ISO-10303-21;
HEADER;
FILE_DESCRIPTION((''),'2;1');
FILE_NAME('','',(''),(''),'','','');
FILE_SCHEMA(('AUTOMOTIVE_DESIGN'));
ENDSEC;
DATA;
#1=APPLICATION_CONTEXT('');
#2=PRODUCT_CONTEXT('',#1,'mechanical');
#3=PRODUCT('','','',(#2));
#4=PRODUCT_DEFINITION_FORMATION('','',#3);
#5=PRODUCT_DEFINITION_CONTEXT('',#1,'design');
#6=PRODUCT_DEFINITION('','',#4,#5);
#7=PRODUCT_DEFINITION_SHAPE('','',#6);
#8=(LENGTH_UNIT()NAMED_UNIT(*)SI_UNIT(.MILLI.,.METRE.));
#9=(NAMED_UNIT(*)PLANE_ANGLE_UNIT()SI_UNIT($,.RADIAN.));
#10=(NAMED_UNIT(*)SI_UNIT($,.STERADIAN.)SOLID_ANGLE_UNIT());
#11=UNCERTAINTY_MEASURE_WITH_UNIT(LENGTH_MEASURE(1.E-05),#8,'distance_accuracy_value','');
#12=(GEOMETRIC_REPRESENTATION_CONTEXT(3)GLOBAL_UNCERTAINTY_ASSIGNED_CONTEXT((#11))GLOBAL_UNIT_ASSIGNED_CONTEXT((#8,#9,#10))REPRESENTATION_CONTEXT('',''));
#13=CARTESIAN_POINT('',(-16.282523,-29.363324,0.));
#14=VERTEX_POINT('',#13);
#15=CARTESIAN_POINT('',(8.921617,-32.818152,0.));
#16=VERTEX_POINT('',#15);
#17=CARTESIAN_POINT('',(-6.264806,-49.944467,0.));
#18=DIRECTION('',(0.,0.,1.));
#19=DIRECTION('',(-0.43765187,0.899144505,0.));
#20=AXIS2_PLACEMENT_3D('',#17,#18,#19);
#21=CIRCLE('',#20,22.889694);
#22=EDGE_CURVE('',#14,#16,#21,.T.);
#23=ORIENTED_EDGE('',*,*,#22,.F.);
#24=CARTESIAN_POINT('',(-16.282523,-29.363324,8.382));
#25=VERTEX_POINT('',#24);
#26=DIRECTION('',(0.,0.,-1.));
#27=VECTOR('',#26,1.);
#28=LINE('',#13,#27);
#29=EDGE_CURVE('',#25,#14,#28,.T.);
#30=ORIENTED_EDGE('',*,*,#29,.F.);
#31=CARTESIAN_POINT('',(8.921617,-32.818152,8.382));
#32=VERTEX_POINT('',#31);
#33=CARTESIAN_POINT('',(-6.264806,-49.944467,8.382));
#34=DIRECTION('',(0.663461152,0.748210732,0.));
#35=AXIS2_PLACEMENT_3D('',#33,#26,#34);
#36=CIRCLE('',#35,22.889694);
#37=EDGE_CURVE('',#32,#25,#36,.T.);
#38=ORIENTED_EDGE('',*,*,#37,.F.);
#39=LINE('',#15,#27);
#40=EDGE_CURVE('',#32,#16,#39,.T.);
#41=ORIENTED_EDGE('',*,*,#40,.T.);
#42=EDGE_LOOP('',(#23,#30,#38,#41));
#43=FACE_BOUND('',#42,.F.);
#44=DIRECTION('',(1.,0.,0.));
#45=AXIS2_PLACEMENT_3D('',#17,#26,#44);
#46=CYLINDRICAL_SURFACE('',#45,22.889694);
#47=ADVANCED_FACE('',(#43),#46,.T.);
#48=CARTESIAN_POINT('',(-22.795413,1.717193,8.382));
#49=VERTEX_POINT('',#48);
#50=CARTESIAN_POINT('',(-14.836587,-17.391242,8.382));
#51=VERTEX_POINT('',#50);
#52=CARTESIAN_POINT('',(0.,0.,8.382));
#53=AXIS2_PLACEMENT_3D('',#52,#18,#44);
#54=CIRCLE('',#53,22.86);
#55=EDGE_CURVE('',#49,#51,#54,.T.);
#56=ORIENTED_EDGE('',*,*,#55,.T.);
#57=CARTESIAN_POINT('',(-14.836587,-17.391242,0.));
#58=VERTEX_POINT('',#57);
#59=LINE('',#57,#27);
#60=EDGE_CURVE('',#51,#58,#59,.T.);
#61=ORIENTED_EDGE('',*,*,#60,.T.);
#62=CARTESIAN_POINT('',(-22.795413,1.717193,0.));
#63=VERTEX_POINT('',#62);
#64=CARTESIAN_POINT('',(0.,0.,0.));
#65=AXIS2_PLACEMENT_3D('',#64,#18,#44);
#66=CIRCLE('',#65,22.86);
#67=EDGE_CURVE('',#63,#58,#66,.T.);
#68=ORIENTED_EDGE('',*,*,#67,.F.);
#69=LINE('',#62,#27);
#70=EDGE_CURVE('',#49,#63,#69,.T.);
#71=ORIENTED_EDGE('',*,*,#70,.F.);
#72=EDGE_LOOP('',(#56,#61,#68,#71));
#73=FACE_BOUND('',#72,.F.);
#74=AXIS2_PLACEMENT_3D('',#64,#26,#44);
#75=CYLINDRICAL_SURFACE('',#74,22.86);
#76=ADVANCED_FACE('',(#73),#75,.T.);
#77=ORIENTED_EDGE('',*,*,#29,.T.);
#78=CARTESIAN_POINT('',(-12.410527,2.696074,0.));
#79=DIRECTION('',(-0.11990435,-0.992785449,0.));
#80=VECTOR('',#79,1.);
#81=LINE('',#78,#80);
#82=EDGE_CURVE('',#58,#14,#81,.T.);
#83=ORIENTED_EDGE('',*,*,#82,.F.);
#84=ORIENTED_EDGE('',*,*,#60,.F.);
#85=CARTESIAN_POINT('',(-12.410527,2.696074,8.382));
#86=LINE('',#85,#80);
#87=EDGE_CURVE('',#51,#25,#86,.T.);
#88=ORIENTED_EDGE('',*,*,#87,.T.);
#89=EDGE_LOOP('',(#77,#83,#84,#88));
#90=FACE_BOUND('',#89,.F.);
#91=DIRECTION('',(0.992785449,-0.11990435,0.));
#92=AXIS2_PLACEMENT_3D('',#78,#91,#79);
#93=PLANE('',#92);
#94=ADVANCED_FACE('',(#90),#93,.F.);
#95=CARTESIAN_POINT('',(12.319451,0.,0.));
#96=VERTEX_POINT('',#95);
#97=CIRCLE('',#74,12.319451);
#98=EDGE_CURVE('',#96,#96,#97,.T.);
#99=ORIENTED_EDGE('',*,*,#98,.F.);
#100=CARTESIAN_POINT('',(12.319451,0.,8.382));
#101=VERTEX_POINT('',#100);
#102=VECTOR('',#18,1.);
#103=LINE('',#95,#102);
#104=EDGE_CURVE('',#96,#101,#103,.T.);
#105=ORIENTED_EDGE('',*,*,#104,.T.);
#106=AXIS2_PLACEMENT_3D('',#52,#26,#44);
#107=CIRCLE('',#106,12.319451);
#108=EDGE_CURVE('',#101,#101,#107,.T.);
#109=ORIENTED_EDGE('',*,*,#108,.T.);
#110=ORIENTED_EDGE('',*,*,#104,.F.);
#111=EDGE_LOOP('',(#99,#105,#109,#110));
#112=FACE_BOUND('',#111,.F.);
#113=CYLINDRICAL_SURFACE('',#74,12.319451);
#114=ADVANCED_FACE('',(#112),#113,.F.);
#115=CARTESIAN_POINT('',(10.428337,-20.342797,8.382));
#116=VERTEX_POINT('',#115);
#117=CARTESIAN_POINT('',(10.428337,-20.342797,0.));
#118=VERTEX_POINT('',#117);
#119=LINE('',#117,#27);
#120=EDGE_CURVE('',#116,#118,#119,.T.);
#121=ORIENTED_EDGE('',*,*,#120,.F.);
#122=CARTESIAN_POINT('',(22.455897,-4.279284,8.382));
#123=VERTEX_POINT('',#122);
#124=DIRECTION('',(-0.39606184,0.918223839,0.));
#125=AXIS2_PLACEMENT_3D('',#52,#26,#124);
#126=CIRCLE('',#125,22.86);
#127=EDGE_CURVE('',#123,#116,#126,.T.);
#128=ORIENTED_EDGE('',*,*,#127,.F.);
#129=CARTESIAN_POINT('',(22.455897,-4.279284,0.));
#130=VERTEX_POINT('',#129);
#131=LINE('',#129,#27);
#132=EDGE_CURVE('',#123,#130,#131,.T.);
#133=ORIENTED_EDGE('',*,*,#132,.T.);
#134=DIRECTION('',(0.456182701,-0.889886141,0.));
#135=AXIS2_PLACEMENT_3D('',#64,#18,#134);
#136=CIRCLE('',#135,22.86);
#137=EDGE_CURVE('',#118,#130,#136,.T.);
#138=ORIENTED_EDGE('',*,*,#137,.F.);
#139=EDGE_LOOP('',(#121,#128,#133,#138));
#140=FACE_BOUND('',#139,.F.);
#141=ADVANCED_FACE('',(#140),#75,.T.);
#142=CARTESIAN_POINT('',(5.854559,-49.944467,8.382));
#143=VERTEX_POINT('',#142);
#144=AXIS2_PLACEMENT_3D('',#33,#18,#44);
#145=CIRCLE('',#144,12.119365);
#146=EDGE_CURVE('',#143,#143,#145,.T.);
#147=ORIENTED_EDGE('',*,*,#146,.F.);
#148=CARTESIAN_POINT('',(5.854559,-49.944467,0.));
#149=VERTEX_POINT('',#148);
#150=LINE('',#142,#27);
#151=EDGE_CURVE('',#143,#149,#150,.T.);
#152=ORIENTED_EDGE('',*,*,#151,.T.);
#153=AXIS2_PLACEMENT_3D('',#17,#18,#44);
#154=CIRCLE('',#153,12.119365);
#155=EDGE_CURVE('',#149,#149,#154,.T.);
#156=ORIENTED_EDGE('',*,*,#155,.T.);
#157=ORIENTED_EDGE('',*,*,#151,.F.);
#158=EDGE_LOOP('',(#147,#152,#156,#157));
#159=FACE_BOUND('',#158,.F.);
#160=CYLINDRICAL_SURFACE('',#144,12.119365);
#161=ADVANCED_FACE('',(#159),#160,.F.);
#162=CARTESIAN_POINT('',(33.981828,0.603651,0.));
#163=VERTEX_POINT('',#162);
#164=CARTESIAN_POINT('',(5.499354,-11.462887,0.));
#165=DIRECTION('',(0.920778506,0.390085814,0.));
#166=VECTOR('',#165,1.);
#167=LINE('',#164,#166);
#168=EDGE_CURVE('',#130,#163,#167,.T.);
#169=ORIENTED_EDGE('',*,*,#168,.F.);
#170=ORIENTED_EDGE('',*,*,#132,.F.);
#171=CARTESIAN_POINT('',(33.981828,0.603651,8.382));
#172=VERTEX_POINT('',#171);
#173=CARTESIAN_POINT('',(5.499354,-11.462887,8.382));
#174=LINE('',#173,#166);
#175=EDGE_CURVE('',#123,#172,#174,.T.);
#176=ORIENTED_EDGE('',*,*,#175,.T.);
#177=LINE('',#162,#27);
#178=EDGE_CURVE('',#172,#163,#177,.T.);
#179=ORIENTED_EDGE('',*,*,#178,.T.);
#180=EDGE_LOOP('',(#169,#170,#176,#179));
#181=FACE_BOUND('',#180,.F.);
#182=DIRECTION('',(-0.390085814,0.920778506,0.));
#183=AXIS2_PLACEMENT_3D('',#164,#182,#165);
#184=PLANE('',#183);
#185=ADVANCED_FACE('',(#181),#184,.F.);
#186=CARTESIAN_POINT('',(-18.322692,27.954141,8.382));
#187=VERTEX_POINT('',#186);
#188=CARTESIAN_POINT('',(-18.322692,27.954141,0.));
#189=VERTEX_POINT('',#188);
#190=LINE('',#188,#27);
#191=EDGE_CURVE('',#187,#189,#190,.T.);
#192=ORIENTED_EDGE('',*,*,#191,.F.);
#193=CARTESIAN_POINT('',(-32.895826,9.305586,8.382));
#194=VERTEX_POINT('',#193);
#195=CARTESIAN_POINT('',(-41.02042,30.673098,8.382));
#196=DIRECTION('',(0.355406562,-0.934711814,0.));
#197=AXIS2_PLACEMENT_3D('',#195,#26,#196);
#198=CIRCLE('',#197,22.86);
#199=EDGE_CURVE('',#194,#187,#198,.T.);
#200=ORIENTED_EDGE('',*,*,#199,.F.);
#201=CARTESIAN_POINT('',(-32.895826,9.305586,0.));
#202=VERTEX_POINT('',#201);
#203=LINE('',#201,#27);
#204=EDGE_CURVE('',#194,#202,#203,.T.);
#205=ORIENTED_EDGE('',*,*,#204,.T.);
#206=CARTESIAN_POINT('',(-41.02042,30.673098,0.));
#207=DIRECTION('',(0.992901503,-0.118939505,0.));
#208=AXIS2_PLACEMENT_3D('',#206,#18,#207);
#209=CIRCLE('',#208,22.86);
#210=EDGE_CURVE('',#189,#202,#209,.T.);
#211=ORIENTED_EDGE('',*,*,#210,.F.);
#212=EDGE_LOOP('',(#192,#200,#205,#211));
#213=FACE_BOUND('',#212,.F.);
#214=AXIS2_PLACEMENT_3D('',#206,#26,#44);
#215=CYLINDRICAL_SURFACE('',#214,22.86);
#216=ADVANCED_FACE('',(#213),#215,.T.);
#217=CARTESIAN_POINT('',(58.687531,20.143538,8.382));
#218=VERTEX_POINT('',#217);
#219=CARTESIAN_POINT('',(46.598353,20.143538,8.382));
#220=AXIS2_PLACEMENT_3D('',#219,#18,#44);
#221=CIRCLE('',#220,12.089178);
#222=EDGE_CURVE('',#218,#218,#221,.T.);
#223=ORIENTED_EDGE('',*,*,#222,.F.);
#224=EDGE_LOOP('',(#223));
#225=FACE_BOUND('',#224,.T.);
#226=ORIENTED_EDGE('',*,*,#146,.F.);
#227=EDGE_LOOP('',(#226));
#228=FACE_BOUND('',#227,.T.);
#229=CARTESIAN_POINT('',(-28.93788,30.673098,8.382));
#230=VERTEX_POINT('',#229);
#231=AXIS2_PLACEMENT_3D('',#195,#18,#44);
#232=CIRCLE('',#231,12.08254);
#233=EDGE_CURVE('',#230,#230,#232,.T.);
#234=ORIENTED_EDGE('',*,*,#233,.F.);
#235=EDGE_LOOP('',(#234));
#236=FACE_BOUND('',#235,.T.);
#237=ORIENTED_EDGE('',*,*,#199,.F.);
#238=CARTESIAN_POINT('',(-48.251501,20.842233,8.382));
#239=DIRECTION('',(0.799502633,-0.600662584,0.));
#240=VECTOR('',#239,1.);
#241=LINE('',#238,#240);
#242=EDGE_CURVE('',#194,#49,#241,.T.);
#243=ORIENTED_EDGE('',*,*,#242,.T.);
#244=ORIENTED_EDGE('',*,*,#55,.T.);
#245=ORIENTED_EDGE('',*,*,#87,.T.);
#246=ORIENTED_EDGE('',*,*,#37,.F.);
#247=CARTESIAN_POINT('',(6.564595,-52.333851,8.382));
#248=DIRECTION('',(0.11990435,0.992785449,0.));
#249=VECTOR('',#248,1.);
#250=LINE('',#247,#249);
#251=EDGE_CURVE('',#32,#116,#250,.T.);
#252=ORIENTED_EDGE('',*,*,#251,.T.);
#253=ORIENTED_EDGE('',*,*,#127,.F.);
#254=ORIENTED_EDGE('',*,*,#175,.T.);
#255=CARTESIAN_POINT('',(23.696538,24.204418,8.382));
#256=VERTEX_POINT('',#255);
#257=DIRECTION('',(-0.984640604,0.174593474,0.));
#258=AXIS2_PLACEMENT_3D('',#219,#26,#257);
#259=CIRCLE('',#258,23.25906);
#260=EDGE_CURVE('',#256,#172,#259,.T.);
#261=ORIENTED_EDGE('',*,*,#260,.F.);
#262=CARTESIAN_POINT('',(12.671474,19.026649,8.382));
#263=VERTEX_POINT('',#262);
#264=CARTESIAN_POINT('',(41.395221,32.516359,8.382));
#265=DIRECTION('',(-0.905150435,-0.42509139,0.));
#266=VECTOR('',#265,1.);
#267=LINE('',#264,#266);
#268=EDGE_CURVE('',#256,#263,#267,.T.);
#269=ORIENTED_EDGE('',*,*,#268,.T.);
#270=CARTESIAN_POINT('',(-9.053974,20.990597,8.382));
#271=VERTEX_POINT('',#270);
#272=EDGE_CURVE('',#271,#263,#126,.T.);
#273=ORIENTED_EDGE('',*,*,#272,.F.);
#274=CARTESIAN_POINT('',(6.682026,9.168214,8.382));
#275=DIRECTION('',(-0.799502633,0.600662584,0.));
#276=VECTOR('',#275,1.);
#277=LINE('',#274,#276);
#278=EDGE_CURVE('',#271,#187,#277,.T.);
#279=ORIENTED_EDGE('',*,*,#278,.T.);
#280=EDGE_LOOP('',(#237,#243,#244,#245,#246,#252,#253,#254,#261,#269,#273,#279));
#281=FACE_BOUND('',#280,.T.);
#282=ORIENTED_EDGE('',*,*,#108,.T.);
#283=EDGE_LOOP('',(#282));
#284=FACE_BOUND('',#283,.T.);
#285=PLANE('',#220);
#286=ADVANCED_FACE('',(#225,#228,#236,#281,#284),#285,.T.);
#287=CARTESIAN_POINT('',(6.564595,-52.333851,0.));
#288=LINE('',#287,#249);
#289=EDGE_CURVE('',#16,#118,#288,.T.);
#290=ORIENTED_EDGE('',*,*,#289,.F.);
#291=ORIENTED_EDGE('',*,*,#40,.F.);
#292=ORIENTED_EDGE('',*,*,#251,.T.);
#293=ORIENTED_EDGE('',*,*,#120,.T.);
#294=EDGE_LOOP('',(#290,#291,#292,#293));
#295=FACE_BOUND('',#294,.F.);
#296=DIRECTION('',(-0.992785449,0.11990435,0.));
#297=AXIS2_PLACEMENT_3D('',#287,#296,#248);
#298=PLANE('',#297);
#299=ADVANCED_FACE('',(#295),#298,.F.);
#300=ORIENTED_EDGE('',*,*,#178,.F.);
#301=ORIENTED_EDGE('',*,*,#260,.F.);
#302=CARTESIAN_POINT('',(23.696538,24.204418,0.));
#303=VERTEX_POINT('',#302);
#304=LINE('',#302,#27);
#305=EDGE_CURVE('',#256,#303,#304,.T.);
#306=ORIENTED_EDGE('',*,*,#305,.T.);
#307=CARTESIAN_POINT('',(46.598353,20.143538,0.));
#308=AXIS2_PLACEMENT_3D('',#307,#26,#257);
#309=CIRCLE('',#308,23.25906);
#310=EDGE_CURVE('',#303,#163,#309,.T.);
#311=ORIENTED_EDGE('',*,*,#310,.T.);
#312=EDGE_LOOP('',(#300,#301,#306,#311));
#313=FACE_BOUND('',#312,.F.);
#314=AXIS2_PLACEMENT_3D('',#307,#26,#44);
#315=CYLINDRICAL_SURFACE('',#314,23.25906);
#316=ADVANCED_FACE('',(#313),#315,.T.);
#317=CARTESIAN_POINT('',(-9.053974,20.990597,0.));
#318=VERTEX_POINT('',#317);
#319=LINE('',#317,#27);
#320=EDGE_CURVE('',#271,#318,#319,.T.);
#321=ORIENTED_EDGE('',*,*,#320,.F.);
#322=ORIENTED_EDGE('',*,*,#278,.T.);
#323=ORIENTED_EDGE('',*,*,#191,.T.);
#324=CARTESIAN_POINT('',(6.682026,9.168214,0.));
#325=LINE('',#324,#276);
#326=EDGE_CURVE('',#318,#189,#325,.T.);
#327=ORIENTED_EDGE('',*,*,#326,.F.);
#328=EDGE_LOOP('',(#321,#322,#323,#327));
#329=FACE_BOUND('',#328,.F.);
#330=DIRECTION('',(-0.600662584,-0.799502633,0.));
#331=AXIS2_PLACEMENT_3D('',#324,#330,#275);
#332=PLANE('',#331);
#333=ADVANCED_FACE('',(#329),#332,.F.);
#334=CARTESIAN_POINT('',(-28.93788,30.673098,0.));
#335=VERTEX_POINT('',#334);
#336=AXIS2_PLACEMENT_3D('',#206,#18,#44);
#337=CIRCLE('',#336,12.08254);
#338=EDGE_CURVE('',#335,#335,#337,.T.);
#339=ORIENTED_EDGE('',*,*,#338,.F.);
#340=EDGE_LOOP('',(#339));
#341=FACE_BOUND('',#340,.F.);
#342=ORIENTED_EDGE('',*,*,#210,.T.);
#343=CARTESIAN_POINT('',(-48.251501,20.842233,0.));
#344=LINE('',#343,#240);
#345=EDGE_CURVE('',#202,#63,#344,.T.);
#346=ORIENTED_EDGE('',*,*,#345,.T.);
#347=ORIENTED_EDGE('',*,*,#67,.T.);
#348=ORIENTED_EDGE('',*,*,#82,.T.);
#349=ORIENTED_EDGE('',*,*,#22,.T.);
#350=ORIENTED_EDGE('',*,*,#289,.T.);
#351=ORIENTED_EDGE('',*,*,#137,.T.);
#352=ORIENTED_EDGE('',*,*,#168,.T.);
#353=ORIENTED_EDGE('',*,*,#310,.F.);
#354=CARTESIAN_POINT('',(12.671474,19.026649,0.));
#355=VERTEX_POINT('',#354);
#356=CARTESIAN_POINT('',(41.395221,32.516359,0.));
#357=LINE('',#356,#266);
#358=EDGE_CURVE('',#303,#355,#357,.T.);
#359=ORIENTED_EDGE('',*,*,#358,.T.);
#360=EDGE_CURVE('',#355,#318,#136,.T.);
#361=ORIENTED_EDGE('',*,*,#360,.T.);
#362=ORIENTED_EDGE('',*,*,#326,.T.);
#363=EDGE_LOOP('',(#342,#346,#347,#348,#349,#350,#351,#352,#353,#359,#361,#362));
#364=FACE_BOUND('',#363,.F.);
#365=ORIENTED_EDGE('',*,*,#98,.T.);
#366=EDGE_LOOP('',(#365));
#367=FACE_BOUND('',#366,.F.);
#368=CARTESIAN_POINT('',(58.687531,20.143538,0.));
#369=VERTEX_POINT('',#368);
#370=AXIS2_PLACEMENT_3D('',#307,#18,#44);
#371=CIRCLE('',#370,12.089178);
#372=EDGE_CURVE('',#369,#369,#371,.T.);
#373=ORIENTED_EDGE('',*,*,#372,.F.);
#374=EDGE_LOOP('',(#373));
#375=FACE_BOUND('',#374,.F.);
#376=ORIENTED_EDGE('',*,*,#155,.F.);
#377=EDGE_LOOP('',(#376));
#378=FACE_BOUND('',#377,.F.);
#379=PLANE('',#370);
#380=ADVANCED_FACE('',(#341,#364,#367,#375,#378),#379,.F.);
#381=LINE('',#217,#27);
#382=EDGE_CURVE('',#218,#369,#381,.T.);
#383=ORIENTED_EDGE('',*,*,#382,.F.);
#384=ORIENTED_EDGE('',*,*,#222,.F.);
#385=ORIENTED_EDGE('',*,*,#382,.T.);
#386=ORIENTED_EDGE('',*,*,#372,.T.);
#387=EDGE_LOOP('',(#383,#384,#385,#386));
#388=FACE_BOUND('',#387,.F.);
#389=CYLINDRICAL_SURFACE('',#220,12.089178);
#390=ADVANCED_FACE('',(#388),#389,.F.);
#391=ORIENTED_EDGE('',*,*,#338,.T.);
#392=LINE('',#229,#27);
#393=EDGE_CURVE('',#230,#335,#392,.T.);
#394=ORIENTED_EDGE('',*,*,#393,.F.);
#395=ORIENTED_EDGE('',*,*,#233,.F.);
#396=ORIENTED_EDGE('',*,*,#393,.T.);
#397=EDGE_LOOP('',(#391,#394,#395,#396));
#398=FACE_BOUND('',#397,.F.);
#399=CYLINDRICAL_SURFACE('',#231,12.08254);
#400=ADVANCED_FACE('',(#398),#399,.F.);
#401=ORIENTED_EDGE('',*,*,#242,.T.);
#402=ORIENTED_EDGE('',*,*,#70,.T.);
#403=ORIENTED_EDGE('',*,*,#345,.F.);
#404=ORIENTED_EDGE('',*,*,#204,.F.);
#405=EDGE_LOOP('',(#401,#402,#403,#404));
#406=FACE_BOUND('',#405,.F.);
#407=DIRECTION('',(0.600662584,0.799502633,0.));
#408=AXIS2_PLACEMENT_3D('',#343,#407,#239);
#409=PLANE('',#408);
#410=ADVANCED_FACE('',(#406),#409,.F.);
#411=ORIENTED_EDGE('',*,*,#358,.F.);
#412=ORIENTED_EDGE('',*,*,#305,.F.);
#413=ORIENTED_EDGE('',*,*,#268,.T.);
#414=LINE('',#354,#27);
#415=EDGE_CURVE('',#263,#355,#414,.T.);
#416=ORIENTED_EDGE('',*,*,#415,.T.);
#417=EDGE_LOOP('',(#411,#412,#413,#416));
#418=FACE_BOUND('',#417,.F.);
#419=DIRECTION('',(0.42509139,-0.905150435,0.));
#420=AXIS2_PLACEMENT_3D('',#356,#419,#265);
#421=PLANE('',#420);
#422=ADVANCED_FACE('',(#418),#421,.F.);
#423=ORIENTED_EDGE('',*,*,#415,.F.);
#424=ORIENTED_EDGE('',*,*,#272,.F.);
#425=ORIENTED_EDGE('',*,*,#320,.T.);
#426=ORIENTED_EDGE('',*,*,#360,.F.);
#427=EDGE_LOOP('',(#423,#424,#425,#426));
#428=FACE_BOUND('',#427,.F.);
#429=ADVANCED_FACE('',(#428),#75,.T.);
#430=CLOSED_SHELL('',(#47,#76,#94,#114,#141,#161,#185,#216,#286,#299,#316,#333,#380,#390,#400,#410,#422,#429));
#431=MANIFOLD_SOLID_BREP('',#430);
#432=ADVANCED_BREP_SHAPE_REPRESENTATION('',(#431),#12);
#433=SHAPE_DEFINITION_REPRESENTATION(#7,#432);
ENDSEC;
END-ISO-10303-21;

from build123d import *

# Parameters (mm, degrees)
F1_R      = 22.86
F8_DEPTH  = 8.382
F5_R      = 22.86
F5_R_2    = 23.2590602535
F5_R_3    = 22.8896939672
F3_R      = 12.065
F9_DEPTH  = 25.908
F0_R      = 12.065
F10_DEPTH = 39.878
F12_R     = 12.0825397837
F12_R_2   = 12.1193647321
F12_R_3   = 12.0891778509
F13_DEPTH = 25.4
F14_R     = 12.3194510373
F15_DEPTH = 25.4


with BuildPart() as f8:
    # F1 (on Top) → F8 (new body)
    with BuildSketch(Plane.XY):
        Circle(F1_R)
    extrude(amount=F8_DEPTH)

    # F3 (on Top) → F9 (cut)
    with BuildSketch(Plane.XY):
        with Locations((-41.2355296061, 30.9968510523)):
            Circle(F3_R)
        with Locations((47.3912737196, 20.2672132623)):
            Circle(F3_R)
        with Locations((-6.2569124064, -50.5483931394)):
            Circle(F3_R)
    extrude(amount=-F9_DEPTH, mode=Mode.SUBTRACT)


with BuildPart() as f8b:
    # F4 (on Top) → F8, piece 2 (new body)
    with BuildSketch(Plane.XY):
        Polygon((-7.2568234486, -9.9568761684), (0, 0), (-40.8516675234, 30.6916665286), (-48.2515008219, 20.8422329908), align=None)
        Polygon((-40.8516675234, 30.6916665286), (0, 0), (6.6820263642, 9.1682138243), (-33.8416725592, 39.6134790794), align=None)
    extrude(amount=F8_DEPTH)


with BuildPart() as f8c:
    # F5 (on Top) → F8, piece 3 (new body)
    with BuildSketch(Plane.XY):
        with Locations((-41.0204199318, 30.6730984167)):
            Circle(F5_R)
    extrude(amount=F8_DEPTH)


with BuildPart() as f8d:
    # F5 (on Top) → F8, piece 4 (new body)
    with BuildSketch(Plane.XY):
        with Locations((46.5983533047, 20.1435375921)):
            Circle(F5_R_2)
    extrude(amount=F8_DEPTH)


with BuildPart() as f8e:
    # F5 (on Top) → F8, piece 5 (new body)
    with BuildSketch(Plane.XY):
        with Locations((-6.2648058406, -49.9444669655)):
            Circle(F5_R_3)
    extrude(amount=F8_DEPTH)


with BuildPart() as f8f:
    # F6 (on Top) → F8, piece 6 (new body)
    with BuildSketch(Plane.XY):
        Polygon((-6.1354051676, -50.8), (0, 0), (-12.4105271356, 2.6960742232), (-18.6884442668, -49.2838980126), align=None)
        Polygon((12.7, -1.5338512919), (0, 0), (-6.1354051676, -50.8), (6.5645948324, -52.3338512919), align=None)
    extrude(amount=F8_DEPTH)


with BuildPart() as f8g:
    # F7 (on Top) → F8, piece 7 (new body)
    with BuildSketch(Plane.XY):
        Polygon((-4.6202341585, 10.9058370142), (0, 0), (46.7755481242, 19.8163593447), (41.3952207145, 32.5163593447), align=None)
        Polygon((46.7755481242, 19.8163593447), (0, 0), (5.4993537205, -11.462887171), (51.7296379604, 8.1224723137), align=None)
    extrude(amount=F8_DEPTH)


with BuildPart() as f10_tool:
    # F0 (on Top) → F10 (new body)
    with BuildSketch(Plane.XY):
        Circle(F0_R)
    extrude(amount=F10_DEPTH)


with BuildPart() as f8_1:
    add(f8.part)

    # F10: cut by f10_tool
    add(f10_tool.part, mode=Mode.SUBTRACT)


with BuildPart() as f8b_1:
    add(f8b.part)

    # F10: cut by f10_tool
    add(f10_tool.part, mode=Mode.SUBTRACT)


with BuildPart() as f8f_1:
    add(f8f.part)

    # F10: cut by f10_tool
    add(f10_tool.part, mode=Mode.SUBTRACT)


with BuildPart() as f8g_1:
    add(f8g.part)

    # F10: cut by f10_tool
    add(f10_tool.part, mode=Mode.SUBTRACT)


with BuildPart() as f8f_2:
    add(f8f_1.part)

    # F11: union F8b, F8c, F8, F8d, F8e, F8g
    add(f8b_1.part)
    add(f8c.part)
    add(f8_1.part)
    add(f8d.part)
    add(f8e.part)
    add(f8g_1.part)

    # F12 (on face) → F13 (cut)
    with BuildSketch(Plane.XY.offset(8.382)):
        with Locations((-41.0204199318, 30.6730984167)):
            Circle(F12_R)
        with Locations((-6.2648058406, -49.9444669655)):
            Circle(F12_R_2)
        with Locations((46.5983533047, 20.1435375921)):
            Circle(F12_R_3)
    extrude(amount=-F13_DEPTH, mode=Mode.SUBTRACT)

    # F14 (on face) → F15 (cut)
    with BuildSketch(Plane(origin=(0, 0, 0), x_dir=(1, 0, 0), z_dir=(0, 0, -1))):
        Circle(F14_R)
    extrude(amount=-F15_DEPTH, mode=Mode.SUBTRACT)


solid = f8f_2.part
